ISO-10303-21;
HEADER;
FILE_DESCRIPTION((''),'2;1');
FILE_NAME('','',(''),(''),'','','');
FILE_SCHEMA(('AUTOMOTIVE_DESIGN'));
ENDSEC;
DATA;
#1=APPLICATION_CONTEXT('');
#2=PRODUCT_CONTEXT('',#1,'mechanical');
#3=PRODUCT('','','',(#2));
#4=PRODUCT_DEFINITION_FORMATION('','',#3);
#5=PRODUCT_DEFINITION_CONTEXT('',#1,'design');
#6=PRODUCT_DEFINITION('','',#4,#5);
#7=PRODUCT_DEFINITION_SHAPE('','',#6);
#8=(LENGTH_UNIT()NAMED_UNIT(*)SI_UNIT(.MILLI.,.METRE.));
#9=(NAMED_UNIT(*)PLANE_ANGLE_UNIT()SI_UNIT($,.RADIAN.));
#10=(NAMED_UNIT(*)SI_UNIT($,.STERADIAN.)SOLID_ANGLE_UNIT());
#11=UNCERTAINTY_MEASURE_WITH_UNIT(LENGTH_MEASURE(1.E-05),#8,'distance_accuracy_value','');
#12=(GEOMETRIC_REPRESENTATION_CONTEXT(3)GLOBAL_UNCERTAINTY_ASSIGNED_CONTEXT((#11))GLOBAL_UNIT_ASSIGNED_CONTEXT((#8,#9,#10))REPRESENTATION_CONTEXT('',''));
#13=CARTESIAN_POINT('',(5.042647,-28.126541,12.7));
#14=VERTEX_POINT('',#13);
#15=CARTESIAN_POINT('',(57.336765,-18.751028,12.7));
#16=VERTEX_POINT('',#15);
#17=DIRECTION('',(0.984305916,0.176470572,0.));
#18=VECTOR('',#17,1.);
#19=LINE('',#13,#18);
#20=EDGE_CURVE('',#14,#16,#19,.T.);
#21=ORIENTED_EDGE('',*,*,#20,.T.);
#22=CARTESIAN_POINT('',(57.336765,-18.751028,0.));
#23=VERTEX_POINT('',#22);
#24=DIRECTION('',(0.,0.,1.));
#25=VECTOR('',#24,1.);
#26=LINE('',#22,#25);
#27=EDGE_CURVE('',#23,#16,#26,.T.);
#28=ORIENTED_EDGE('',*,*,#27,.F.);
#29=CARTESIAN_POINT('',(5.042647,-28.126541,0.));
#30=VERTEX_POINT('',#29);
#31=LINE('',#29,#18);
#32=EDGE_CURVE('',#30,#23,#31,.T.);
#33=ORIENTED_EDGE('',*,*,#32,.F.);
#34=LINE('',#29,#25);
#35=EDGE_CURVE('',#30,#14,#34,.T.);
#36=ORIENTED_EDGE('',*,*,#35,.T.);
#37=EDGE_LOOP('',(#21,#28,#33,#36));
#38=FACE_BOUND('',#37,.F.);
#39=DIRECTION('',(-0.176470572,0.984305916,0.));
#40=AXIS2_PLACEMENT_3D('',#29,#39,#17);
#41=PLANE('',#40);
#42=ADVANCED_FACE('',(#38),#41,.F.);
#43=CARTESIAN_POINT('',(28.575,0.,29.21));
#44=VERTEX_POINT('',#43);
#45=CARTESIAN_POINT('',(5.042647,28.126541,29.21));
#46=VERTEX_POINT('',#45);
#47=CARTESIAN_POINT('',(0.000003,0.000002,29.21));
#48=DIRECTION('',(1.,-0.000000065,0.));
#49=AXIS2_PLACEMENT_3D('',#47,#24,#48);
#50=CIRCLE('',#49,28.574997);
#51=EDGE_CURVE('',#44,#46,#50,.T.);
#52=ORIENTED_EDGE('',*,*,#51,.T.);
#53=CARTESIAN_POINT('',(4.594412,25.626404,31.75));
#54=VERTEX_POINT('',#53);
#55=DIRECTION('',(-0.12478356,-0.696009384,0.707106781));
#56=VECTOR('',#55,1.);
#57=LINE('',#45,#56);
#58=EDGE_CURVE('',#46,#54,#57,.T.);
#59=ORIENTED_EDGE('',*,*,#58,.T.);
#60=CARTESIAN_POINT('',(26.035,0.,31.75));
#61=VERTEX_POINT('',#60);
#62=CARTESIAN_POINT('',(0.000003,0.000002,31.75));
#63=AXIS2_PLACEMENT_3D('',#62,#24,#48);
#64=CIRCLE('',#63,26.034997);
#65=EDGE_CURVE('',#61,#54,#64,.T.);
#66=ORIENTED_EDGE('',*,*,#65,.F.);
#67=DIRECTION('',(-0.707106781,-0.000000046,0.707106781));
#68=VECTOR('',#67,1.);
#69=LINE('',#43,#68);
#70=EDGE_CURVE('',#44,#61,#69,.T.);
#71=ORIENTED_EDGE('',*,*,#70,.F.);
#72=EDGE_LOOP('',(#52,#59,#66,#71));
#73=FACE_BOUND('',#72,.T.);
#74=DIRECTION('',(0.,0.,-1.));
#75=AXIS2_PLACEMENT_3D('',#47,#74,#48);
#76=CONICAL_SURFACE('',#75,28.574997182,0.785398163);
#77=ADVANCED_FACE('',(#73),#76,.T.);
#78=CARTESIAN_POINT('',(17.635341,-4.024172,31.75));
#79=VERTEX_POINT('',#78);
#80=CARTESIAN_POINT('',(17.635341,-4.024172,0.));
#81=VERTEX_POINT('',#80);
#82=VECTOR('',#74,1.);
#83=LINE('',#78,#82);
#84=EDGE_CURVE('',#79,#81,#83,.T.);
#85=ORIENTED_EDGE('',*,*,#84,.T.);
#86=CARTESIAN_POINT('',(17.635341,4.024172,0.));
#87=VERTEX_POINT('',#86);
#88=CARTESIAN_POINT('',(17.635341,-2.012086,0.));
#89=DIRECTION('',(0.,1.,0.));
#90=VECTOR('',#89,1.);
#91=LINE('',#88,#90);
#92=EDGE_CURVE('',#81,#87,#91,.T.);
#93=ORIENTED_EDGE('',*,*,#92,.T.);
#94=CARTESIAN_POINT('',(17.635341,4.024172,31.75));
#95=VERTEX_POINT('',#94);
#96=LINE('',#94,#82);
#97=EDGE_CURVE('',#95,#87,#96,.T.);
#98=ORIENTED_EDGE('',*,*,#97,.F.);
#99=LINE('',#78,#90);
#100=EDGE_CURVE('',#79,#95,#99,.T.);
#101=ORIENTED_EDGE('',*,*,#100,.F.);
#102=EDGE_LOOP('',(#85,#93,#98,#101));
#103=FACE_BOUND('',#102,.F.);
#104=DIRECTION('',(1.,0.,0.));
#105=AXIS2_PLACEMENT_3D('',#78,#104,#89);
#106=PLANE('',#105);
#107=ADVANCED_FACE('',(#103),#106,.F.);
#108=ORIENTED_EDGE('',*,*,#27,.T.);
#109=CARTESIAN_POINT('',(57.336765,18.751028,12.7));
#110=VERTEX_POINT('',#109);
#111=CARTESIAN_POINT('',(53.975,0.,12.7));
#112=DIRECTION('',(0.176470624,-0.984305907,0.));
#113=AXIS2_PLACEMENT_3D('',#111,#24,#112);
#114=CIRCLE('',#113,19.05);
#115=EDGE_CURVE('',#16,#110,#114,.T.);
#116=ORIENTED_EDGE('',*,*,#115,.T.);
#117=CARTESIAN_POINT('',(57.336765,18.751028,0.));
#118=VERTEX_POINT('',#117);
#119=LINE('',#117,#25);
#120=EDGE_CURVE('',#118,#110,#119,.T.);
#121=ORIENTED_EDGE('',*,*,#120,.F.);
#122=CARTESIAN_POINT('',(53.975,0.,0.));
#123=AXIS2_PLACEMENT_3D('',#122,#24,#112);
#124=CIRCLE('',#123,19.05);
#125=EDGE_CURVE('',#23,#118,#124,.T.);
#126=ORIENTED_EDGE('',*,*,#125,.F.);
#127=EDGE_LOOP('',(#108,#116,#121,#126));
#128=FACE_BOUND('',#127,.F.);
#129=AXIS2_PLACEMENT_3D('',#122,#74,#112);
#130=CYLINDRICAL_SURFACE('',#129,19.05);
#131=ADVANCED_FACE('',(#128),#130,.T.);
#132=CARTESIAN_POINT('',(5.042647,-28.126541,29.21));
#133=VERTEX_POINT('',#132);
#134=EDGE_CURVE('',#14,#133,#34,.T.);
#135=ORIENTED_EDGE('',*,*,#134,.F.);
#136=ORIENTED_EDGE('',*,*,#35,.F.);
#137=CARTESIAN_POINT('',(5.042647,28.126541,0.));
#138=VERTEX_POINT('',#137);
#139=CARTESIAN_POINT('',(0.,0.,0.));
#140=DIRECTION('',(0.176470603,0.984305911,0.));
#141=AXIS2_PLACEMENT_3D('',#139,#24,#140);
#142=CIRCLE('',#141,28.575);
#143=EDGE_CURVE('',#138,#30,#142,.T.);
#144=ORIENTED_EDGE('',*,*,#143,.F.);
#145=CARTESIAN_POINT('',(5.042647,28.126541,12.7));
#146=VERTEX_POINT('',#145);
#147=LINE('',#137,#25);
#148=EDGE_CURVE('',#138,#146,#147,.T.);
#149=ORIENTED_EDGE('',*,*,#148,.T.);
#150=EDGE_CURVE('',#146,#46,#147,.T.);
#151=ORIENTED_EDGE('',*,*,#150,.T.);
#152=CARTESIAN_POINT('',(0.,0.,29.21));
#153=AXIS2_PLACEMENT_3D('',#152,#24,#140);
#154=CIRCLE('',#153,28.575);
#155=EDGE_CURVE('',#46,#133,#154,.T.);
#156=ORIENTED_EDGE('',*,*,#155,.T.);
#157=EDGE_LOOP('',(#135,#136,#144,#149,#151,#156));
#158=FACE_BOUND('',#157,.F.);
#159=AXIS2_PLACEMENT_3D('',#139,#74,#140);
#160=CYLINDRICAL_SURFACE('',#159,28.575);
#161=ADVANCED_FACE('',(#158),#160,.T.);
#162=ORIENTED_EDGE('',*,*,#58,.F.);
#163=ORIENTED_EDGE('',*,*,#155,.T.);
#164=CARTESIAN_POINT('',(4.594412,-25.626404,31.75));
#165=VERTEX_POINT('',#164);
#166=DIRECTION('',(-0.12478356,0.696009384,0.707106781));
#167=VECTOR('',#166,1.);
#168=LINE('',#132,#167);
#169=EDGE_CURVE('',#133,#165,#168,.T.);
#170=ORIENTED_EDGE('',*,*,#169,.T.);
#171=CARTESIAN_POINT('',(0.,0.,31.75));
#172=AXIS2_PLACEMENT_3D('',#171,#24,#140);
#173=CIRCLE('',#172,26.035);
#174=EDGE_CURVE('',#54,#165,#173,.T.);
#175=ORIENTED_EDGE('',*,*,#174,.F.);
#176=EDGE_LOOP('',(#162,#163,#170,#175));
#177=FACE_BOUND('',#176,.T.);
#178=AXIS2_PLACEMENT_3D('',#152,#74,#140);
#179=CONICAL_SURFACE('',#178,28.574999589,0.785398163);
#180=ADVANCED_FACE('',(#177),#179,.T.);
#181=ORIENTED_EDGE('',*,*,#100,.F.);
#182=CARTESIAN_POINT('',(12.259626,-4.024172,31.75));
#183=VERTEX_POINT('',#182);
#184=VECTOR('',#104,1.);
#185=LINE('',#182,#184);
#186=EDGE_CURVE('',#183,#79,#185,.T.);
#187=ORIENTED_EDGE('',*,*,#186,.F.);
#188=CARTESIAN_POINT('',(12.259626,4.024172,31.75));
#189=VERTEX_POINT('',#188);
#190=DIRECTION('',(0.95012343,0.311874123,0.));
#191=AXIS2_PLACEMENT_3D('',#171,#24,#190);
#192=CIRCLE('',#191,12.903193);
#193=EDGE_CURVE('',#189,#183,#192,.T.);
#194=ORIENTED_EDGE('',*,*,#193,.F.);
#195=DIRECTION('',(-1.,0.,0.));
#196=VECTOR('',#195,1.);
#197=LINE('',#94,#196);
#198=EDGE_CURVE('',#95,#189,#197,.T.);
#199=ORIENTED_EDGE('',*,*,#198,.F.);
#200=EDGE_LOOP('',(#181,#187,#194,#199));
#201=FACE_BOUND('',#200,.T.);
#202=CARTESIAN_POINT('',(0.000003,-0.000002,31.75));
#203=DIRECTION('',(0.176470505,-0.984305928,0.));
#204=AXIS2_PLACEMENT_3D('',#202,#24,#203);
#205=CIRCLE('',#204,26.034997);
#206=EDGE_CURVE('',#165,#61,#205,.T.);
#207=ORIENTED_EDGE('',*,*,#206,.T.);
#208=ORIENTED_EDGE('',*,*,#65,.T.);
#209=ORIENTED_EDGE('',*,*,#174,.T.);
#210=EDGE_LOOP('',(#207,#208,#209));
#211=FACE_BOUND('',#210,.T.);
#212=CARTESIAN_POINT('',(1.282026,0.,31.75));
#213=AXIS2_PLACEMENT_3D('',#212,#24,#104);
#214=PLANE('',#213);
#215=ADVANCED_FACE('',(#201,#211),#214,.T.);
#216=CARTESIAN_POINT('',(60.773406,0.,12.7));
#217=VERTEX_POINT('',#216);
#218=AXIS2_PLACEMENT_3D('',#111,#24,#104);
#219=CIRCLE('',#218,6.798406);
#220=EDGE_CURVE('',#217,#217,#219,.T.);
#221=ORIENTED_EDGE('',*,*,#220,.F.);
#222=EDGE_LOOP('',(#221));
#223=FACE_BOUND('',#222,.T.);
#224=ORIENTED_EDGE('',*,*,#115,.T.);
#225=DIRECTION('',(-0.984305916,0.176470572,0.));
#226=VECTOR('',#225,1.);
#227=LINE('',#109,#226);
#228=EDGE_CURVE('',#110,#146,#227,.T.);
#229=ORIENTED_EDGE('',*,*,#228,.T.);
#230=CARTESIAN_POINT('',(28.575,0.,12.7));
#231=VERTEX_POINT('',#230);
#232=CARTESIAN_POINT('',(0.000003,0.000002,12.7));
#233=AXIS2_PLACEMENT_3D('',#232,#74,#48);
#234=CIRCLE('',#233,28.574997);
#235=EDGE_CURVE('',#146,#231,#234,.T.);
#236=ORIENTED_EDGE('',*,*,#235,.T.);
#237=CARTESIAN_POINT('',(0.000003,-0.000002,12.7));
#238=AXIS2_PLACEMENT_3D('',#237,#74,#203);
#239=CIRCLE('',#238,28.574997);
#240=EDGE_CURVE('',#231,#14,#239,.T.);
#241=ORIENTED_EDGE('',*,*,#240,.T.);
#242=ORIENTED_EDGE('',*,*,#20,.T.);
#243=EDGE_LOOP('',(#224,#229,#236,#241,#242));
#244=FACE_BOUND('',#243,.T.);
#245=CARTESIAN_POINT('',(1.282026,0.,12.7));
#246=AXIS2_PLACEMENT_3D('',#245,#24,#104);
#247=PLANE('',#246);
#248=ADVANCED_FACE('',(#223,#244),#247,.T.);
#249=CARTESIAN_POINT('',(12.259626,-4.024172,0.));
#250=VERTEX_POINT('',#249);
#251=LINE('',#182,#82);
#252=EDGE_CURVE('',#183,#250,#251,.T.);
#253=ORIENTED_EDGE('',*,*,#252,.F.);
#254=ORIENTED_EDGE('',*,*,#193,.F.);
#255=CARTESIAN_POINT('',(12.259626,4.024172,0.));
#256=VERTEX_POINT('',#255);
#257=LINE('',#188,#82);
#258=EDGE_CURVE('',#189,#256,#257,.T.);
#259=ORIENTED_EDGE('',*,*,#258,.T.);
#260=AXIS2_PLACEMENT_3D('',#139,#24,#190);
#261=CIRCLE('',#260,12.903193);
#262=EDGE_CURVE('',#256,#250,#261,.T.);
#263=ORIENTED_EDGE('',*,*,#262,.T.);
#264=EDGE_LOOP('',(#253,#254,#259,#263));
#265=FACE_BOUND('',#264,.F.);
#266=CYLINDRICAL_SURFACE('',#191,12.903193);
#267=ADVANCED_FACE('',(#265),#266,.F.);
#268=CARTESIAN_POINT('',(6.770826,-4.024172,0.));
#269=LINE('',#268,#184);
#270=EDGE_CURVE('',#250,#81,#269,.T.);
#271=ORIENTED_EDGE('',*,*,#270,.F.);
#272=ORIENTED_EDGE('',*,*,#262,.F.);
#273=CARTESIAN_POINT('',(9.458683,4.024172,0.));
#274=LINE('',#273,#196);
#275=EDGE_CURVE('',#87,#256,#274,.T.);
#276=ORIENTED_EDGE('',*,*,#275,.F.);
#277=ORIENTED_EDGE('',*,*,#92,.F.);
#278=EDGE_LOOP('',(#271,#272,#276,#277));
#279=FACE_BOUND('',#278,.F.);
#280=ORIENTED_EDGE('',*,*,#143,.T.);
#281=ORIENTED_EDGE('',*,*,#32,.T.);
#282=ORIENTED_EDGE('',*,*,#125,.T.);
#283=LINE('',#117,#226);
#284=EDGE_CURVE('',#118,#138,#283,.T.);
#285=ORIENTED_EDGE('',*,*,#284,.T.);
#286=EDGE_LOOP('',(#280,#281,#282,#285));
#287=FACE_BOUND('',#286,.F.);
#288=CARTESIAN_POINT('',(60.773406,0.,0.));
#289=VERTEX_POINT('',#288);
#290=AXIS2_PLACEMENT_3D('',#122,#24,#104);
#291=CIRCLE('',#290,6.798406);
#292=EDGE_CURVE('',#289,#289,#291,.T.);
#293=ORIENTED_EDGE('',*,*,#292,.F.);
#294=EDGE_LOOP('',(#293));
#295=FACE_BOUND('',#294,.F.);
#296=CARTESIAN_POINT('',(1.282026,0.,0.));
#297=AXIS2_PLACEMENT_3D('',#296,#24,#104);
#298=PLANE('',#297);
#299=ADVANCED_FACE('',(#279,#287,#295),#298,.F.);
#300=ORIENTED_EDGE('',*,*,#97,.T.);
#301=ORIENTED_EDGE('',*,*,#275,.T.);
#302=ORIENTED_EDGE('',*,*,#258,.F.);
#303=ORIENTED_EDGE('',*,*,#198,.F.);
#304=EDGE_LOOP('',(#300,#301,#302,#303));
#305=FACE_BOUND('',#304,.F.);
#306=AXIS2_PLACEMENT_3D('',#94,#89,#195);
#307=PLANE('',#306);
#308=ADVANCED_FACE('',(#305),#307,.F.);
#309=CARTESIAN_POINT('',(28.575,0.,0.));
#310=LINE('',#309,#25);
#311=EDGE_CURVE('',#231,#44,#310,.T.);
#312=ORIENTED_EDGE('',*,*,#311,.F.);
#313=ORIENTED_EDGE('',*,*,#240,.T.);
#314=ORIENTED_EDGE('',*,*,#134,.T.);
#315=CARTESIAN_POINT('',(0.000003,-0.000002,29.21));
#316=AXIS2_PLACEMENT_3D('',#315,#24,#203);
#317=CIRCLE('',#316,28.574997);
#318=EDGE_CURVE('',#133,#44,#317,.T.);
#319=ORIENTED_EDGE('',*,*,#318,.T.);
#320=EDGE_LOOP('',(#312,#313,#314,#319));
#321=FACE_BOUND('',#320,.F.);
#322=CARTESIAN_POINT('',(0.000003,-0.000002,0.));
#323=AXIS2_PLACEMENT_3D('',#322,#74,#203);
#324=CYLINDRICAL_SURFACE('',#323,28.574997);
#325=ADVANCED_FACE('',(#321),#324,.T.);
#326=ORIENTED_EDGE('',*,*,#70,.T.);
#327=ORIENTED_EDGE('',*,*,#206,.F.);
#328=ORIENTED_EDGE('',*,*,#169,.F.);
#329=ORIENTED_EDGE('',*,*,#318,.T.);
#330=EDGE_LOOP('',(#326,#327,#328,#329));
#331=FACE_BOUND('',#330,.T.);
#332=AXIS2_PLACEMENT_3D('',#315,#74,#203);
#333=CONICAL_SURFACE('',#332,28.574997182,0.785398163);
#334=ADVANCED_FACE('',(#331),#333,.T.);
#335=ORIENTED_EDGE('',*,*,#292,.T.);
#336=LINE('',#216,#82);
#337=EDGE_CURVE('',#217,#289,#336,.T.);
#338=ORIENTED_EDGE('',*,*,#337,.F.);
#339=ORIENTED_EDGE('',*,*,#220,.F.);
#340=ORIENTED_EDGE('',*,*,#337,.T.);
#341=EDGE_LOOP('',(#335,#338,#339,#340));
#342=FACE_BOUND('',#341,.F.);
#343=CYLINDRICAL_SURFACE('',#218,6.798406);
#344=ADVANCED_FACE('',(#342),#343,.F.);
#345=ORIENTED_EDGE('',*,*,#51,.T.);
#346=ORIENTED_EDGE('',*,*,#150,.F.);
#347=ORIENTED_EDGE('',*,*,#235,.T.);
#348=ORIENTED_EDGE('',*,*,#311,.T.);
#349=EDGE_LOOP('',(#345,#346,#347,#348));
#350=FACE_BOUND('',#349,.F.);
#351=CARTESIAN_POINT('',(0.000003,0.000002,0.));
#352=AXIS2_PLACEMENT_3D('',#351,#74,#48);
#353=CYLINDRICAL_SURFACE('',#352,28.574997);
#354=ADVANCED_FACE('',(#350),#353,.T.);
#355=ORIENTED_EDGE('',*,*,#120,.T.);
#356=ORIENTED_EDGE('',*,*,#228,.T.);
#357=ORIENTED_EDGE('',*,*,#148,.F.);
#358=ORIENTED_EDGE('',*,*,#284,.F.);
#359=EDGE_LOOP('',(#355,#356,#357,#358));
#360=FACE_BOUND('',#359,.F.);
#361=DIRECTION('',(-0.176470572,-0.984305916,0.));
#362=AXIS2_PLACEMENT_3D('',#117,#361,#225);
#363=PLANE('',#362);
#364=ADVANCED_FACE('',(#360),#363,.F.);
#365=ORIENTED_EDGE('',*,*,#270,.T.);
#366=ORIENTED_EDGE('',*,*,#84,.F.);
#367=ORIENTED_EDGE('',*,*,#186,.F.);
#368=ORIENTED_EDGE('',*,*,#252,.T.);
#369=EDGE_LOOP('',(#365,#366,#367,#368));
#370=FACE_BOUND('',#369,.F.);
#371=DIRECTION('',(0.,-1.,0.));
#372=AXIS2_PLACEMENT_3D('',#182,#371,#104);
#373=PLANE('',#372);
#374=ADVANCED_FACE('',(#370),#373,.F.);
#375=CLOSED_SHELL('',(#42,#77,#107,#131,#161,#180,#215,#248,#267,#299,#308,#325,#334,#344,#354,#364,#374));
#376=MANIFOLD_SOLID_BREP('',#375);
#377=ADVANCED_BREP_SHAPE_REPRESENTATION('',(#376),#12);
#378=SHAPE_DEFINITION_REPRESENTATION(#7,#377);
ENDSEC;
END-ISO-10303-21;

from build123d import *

# Parameters (mm, degrees)
F1_DEPTH = 12.7
F2_DEPTH = 31.75
F3_R     = 6.798406
F4_DEPTH = 25.4
F5_SIZE  = 2.54
F7_DEPTH = 31.751


with BuildPart() as f1:
    # F0 (on Top) → F1 (new body)
    with BuildSketch(Plane.XY):
        with BuildLine():
            ThreePointArc((5.042647, -28.126541), (21.916025, -18.336262), (28.575, 0))
            ThreePointArc((28.575, 0), (21.916025, 18.336262), (5.042647, 28.126541))
            ThreePointArc((5.042647, 28.126541), (-28.575, 0), (5.042647, -28.126541))
        make_face()
        with BuildLine():
            ThreePointArc((5.042647, 28.126541), (21.916025, 18.336262), (28.575, 0))
            ThreePointArc((28.575, 0), (21.916025, -18.336262), (5.042647, -28.126541))
            Line((5.042647, -28.126541), (57.336765, -18.751028))
            ThreePointArc((57.336765, -18.751028), (73.025, 0), (57.336765, 18.751028))
            Line((57.336765, 18.751028), (5.042647, 28.126541))
        make_face()
    extrude(amount=F1_DEPTH)

    # F0 (on Top) → F2 (join)
    with BuildSketch(Plane.XY):
        with BuildLine():
            ThreePointArc((5.042647, -28.126541), (21.916025, -18.336262), (28.575, 0))
            ThreePointArc((28.575, 0), (21.916025, 18.336262), (5.042647, 28.126541))
            ThreePointArc((5.042647, 28.126541), (-28.575, 0), (5.042647, -28.126541))
        make_face()
    extrude(amount=F2_DEPTH)

    # F3 (on face) → F4 (cut)
    with BuildSketch(Plane.XY.offset(12.7)):
        with Locations((53.975, 0)):
            Circle(F3_R)
    extrude(amount=-F4_DEPTH, mode=Mode.SUBTRACT)

    # F5
    f5_edges = [f1.edges().sort_by_distance(p)[0] for p in [
        (-5.042647, 28.126541, 31.75),
    ]]
    chamfer(f5_edges, length=F5_SIZE)

    # F6 (on face) → F7 (cut, through all)
    with BuildSketch(Plane.XY.offset(31.75)):
        with BuildLine():
            Line((17.635341, 4.024172), (12.259626, 4.024172))
            ThreePointArc((12.259626, 4.024172), (-12.903193, 0), (12.259626, -4.024172))
            Line((12.259626, -4.024172), (17.635341, -4.024172))
            Line((17.635341, -4.024172), (17.635341, 4.024172))
        make_face()
    extrude(amount=-F7_DEPTH, mode=Mode.SUBTRACT)


solid = f1.part
